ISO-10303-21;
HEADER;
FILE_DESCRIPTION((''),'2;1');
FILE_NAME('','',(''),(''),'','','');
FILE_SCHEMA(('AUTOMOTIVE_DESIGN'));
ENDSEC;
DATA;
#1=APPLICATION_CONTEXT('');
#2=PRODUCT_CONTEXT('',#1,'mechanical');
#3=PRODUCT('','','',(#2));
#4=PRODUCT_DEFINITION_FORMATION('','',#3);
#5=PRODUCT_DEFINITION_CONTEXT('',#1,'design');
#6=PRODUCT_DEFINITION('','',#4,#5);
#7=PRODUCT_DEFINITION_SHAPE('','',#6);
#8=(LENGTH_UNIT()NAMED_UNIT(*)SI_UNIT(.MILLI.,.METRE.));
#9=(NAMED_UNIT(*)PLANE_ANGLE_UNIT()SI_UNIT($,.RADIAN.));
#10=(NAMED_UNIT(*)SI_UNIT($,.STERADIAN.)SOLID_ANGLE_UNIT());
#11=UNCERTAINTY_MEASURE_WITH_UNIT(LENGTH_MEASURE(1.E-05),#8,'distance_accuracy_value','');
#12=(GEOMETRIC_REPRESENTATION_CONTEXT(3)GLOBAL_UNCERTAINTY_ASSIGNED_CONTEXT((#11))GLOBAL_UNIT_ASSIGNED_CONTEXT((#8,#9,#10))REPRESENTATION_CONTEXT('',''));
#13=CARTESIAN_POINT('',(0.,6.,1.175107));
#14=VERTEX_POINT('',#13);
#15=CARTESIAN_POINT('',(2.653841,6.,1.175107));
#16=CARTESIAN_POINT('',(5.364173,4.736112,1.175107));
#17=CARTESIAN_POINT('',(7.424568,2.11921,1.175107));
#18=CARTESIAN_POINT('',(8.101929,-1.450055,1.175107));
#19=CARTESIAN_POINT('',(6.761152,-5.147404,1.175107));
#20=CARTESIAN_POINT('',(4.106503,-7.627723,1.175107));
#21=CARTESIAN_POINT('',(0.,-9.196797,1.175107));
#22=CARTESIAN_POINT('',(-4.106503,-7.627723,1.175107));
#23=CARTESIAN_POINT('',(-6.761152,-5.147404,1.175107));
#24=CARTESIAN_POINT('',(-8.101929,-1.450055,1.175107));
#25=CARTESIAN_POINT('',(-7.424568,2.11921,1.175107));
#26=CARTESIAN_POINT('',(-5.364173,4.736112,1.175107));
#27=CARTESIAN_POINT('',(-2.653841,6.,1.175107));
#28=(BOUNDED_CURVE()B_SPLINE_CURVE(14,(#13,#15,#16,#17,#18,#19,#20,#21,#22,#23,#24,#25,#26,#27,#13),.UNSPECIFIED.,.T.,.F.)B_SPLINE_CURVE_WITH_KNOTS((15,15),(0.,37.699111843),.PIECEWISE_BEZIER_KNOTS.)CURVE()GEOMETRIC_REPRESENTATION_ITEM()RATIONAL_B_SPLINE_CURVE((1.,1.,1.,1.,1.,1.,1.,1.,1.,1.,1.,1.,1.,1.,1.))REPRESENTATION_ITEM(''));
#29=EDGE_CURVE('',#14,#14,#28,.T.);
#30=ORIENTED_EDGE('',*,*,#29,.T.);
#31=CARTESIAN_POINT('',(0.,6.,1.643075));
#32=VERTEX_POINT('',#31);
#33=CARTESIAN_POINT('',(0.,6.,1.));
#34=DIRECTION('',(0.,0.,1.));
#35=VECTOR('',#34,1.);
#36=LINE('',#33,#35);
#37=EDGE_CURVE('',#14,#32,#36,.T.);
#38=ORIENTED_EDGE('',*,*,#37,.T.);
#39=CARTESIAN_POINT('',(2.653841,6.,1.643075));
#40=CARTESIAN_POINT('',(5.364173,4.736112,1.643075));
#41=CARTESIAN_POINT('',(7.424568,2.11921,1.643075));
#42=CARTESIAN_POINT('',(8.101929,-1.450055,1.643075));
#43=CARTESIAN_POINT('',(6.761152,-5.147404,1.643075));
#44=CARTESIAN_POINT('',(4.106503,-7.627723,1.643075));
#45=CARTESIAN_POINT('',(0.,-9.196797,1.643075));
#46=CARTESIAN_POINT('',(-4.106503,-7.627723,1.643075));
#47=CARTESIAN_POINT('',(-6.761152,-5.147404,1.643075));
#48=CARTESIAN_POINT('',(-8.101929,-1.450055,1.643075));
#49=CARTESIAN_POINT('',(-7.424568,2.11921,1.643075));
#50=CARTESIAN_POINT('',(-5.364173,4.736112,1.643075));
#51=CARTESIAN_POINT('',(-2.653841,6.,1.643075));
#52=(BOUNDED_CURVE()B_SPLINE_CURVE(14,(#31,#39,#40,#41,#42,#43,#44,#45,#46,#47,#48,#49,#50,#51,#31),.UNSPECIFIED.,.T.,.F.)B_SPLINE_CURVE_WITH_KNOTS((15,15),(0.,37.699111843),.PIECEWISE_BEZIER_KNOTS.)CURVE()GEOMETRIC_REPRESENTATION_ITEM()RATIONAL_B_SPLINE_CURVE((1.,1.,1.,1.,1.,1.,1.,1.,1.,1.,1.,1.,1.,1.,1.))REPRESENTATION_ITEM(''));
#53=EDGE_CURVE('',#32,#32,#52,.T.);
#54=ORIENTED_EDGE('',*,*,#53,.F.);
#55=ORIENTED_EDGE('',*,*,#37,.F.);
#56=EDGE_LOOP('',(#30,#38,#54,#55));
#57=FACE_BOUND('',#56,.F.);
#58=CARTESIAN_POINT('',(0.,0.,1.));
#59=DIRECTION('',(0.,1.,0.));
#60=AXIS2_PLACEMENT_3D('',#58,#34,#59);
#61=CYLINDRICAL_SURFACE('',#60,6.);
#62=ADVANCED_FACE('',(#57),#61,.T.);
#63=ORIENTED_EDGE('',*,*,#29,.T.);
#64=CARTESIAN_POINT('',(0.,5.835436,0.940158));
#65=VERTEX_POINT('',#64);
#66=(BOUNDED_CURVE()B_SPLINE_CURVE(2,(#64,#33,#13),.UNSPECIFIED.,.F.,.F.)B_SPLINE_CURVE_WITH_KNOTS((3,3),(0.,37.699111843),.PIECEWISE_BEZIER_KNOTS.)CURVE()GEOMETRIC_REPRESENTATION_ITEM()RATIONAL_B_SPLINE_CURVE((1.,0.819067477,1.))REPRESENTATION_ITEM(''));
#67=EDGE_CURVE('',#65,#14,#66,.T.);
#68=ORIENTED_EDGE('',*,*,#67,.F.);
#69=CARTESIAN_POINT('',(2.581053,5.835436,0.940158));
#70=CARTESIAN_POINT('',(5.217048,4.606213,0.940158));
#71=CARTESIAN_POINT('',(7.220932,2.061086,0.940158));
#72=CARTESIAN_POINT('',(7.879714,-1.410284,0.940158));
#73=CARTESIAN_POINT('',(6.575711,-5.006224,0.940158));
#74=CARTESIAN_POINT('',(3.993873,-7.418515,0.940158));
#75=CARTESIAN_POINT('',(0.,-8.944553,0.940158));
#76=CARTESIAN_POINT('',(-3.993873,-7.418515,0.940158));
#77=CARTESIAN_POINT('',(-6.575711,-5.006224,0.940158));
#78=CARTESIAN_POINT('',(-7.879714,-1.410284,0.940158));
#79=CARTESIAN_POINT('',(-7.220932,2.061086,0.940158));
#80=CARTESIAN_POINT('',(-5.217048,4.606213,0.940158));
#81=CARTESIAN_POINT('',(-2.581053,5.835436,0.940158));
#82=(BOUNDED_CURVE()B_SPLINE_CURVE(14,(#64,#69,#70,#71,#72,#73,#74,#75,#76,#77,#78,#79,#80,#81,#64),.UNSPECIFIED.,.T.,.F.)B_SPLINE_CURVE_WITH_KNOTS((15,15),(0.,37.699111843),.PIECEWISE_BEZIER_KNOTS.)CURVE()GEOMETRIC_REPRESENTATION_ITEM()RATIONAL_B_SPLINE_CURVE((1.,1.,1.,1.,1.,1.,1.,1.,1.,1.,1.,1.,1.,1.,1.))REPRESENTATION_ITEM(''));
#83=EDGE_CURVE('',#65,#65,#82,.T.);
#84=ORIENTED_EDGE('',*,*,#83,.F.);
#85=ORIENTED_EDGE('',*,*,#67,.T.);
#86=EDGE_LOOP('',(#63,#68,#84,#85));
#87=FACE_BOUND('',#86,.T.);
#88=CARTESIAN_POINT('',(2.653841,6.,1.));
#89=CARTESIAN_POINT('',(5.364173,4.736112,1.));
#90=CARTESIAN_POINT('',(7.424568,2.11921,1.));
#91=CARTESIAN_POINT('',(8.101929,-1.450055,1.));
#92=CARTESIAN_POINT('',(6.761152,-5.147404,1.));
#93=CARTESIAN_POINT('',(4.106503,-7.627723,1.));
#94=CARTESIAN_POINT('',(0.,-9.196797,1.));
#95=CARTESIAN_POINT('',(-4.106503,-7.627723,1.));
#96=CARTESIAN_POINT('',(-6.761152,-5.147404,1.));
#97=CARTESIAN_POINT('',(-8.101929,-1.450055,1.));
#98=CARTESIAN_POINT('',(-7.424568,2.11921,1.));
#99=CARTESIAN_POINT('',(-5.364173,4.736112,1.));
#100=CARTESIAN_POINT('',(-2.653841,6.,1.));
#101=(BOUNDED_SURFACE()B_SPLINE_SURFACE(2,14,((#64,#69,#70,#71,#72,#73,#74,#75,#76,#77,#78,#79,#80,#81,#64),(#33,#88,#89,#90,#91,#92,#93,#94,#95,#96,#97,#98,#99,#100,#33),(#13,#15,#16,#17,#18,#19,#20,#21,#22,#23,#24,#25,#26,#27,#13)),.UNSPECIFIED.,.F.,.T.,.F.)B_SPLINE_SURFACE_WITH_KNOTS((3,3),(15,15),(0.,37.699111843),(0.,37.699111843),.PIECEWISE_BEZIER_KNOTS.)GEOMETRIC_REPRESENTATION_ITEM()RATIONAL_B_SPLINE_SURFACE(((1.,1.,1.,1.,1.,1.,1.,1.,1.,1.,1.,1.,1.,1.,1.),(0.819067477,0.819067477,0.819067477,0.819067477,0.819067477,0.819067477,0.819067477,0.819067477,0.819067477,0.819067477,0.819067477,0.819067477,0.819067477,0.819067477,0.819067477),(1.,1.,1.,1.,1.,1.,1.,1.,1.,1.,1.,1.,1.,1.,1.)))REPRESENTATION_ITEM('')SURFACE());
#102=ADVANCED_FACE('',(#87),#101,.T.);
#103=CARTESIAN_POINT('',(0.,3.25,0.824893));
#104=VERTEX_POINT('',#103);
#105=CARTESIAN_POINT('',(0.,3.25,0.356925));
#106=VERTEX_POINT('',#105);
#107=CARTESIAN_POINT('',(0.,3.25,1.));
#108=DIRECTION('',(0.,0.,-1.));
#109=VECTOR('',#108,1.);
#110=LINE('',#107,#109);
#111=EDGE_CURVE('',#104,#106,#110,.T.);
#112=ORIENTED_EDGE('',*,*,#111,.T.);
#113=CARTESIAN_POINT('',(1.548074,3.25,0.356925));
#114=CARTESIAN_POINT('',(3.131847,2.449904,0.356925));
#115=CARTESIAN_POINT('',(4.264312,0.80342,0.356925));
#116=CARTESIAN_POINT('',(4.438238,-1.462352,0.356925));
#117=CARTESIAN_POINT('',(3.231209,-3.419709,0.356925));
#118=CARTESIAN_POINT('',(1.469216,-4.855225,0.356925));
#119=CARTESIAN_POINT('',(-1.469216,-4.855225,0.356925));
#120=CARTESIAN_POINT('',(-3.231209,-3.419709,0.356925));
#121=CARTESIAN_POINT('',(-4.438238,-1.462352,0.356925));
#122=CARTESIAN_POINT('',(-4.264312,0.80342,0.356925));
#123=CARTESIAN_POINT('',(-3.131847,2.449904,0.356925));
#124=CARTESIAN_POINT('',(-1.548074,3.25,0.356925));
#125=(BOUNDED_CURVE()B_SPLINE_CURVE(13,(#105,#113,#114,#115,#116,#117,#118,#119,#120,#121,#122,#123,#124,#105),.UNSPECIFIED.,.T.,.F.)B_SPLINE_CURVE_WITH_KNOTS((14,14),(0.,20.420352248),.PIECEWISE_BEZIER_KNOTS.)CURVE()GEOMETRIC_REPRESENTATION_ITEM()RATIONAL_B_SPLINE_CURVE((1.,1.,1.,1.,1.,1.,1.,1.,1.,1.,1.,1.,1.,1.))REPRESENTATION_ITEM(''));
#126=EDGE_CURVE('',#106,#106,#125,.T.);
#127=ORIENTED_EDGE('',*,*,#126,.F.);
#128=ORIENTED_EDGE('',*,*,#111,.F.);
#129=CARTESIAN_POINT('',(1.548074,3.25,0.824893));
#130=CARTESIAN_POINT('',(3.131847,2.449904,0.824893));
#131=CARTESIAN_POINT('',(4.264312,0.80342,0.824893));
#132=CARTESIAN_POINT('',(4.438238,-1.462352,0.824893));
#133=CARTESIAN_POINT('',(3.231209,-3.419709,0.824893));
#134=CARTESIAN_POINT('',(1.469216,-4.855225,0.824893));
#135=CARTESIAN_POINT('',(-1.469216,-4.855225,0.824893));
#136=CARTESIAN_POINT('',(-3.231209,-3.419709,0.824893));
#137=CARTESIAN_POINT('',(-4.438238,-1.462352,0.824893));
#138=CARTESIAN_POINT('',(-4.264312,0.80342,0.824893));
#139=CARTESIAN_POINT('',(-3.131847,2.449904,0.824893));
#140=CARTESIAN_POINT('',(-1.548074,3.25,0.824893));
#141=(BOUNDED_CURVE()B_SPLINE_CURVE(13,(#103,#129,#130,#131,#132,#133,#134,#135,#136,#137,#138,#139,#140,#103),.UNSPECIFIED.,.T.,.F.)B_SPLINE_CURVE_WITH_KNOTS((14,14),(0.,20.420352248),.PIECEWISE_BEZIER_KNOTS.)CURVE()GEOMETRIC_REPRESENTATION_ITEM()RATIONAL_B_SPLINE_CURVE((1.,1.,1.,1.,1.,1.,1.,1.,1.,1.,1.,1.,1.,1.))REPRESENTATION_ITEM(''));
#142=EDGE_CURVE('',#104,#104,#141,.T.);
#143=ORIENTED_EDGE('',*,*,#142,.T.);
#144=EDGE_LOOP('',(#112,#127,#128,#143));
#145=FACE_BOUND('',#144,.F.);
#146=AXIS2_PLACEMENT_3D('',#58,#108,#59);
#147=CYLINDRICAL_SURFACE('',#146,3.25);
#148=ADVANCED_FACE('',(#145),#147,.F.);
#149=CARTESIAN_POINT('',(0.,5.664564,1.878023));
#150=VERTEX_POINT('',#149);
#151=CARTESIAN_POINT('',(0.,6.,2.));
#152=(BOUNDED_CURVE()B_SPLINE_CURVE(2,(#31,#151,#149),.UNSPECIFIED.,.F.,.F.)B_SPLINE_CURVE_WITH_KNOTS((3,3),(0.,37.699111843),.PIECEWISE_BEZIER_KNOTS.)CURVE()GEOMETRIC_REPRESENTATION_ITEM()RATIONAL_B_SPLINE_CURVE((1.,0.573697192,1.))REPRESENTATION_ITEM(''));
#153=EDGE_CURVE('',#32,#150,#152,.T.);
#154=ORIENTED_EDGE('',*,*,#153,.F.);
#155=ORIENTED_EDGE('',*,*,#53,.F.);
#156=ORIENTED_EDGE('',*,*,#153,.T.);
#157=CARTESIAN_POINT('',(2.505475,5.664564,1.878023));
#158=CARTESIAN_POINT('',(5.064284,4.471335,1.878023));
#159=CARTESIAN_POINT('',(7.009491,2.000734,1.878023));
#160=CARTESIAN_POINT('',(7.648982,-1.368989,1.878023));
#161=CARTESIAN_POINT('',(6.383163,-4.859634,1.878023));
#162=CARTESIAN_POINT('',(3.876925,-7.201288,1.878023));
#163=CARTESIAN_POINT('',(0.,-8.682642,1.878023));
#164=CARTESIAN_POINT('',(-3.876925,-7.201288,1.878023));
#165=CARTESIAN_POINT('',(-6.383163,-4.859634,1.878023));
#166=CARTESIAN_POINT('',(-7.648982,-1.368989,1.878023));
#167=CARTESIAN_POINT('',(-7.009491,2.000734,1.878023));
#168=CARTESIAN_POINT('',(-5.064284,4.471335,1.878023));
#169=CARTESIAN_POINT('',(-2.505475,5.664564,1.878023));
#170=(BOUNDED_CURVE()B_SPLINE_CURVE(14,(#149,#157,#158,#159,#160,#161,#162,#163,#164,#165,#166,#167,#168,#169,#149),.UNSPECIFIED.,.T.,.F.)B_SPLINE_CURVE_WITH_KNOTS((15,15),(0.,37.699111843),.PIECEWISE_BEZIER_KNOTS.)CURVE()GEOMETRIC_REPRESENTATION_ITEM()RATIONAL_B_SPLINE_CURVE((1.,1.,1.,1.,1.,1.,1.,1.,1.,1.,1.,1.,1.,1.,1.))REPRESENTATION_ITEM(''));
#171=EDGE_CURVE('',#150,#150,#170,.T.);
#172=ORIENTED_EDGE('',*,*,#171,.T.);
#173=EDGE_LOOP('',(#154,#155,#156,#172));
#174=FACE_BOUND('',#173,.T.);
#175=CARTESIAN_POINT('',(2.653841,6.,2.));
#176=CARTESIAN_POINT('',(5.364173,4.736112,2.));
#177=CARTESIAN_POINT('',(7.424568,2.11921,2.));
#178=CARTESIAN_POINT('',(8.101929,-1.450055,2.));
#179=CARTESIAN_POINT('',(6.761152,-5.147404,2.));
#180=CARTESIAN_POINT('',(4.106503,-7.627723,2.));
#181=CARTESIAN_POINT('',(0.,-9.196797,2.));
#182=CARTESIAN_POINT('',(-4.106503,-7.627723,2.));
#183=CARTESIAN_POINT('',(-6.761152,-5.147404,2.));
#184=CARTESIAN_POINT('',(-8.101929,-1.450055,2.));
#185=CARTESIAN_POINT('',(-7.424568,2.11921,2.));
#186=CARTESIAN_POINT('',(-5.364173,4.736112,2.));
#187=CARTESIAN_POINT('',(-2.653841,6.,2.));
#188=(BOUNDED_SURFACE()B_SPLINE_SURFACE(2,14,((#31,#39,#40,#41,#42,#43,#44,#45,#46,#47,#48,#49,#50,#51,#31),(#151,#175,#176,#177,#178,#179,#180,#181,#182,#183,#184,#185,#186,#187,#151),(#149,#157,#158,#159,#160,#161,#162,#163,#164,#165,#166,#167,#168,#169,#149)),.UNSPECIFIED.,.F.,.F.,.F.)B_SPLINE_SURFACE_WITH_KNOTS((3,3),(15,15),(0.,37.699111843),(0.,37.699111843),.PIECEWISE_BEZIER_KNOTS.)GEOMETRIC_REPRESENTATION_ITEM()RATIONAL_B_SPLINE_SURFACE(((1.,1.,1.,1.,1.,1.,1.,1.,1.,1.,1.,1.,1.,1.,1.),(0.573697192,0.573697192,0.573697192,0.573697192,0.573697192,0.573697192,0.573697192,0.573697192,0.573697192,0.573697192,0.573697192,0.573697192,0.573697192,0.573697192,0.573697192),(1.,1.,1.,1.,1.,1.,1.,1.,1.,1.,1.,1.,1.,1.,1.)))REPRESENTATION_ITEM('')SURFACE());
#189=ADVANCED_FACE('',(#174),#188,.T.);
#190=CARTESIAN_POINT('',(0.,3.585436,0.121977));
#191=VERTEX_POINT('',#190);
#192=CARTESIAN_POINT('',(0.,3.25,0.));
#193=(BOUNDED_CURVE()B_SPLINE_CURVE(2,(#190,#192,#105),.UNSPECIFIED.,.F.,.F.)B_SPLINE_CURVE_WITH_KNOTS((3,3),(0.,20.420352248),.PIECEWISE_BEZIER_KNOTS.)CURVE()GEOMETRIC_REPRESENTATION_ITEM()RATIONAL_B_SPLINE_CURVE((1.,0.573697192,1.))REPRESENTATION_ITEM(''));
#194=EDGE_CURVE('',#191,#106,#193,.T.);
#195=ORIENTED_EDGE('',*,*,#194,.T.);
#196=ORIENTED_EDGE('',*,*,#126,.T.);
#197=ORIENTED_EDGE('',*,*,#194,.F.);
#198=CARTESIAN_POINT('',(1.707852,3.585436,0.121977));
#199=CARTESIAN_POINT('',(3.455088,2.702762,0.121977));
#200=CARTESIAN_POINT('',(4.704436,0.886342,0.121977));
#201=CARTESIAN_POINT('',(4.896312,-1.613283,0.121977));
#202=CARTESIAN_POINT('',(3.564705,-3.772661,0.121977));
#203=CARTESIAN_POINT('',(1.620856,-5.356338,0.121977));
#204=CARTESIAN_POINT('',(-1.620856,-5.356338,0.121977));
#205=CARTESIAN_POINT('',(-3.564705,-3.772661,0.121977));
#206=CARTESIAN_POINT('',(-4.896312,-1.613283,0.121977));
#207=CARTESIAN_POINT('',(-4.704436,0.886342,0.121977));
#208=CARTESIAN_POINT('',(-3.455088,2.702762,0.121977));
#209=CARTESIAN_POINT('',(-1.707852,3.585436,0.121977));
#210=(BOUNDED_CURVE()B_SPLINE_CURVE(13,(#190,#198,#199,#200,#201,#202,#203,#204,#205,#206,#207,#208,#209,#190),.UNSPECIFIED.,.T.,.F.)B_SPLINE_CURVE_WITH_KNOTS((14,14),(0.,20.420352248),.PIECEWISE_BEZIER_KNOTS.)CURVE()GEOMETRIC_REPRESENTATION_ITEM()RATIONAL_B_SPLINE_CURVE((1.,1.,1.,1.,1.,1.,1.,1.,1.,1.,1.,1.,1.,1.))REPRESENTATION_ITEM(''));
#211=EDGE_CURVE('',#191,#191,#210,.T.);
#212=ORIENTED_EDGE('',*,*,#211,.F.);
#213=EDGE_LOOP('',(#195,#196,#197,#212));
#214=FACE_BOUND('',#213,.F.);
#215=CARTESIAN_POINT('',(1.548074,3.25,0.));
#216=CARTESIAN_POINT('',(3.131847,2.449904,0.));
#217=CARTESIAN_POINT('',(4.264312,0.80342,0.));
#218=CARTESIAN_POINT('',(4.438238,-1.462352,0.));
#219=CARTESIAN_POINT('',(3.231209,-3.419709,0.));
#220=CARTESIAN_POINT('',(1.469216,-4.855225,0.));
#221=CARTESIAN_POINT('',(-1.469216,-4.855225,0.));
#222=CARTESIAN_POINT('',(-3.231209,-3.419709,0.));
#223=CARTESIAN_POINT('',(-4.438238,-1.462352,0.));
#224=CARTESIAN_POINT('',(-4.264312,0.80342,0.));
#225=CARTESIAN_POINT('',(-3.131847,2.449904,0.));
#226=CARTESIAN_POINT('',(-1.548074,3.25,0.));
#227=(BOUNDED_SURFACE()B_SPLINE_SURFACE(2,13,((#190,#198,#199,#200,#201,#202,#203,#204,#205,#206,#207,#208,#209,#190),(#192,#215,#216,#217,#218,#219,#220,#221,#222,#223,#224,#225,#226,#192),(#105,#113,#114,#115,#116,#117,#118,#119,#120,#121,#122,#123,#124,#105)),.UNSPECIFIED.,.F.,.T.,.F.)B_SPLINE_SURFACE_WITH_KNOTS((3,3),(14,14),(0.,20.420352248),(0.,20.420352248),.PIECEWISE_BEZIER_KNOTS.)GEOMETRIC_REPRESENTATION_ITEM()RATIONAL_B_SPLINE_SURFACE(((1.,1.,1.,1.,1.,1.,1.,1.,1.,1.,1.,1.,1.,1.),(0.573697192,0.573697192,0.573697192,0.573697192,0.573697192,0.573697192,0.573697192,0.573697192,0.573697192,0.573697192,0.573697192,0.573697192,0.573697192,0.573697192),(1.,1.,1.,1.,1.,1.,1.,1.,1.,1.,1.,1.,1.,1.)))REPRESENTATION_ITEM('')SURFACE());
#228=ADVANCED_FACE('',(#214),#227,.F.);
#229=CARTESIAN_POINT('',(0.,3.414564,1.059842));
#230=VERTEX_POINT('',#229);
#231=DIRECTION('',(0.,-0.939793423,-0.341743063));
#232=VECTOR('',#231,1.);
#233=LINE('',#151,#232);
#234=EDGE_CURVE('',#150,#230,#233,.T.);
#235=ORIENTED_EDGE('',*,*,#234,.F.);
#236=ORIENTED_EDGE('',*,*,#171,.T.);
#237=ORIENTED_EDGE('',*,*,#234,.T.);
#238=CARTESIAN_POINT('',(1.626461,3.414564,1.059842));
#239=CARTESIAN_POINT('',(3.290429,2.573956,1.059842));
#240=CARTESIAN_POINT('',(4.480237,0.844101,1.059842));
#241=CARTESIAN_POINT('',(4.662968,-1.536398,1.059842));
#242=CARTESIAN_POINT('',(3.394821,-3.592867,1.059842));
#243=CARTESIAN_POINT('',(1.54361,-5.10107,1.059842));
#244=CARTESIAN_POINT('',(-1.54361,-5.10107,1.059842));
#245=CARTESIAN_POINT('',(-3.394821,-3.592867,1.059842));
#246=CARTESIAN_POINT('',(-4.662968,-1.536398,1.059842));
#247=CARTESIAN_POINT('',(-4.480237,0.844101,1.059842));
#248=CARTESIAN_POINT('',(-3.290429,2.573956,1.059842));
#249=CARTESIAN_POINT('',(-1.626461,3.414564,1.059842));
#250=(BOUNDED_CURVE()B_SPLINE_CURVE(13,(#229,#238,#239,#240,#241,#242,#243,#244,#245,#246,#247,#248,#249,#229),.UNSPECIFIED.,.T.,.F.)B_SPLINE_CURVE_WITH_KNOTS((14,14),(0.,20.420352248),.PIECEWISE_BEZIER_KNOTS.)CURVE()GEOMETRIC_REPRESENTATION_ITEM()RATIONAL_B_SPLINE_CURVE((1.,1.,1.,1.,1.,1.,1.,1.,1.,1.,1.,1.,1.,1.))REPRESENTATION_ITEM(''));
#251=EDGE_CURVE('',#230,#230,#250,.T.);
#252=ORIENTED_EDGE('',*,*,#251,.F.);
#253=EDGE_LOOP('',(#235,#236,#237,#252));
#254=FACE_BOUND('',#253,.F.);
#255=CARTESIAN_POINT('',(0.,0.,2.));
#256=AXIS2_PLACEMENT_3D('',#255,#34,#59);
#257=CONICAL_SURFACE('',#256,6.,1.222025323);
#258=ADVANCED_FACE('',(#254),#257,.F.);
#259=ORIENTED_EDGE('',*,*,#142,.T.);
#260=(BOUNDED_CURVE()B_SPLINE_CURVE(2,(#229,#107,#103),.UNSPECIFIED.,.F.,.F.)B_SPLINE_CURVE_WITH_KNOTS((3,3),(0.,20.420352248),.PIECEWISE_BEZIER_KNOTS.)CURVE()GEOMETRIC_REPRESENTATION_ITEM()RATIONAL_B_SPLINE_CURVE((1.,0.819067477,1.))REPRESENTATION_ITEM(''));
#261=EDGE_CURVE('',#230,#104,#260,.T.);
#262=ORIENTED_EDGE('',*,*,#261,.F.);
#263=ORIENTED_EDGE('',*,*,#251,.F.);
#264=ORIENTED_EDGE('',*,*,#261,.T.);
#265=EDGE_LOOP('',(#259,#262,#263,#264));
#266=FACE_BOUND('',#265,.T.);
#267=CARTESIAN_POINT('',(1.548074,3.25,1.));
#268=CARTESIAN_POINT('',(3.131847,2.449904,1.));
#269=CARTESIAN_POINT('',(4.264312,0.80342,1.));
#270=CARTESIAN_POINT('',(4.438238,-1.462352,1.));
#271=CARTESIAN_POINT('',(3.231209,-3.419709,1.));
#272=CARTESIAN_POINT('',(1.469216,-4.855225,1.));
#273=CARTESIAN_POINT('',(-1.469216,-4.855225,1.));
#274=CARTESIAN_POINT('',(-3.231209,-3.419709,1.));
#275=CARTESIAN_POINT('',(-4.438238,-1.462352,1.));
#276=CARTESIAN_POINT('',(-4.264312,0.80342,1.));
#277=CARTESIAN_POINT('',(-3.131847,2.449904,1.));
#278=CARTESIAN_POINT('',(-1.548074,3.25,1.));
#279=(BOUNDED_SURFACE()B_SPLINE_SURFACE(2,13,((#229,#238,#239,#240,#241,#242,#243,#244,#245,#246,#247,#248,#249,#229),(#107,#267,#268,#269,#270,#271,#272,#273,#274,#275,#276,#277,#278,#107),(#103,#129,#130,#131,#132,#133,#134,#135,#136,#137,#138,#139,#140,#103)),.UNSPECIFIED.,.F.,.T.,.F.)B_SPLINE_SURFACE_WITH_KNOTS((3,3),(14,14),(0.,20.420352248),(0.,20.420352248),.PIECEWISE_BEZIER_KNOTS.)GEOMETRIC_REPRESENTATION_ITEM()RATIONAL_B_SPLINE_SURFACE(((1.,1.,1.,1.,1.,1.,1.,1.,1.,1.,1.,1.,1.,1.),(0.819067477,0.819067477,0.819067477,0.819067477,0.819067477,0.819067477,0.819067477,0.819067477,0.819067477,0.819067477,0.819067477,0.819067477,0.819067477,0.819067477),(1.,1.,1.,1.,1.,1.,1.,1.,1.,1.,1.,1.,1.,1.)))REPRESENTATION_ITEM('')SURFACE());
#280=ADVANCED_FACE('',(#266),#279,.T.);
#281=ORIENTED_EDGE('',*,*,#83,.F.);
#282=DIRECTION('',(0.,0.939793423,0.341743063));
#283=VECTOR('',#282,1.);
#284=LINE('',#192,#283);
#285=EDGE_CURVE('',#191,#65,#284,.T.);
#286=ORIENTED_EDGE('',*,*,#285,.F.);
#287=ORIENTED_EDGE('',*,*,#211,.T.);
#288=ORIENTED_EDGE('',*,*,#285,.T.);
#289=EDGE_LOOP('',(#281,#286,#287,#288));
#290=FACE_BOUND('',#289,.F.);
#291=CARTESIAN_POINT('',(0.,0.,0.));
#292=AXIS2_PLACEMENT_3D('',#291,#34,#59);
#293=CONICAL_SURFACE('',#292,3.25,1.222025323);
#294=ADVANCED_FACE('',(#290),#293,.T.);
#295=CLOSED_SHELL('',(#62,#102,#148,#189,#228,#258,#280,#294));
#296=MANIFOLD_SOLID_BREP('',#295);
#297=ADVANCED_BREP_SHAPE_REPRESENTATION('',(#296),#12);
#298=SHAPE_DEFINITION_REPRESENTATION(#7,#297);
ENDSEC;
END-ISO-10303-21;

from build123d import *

# Parameters (mm, degrees)
F2_R = 0.25


with BuildPart() as f1:
    # F0 (on Right) → F1 (revolve)
    with BuildSketch(Plane.YZ):
        Polygon((3.25, 0), (6, 1), (6, 2), (3.25, 1), align=None)
    revolve(axis=Axis((0, 0, -1.821089), (0, 0, -1)))

    # F2
    f2_edges = [f1.edges().sort_by_distance(p)[0] for p in [
        (0, -3.25, 0),
        (0, -6, 2),
        (0, -3.25, 1),
        (0, -6, 1),
    ]]
    fillet(f2_edges, radius=F2_R)


solid = f1.part
